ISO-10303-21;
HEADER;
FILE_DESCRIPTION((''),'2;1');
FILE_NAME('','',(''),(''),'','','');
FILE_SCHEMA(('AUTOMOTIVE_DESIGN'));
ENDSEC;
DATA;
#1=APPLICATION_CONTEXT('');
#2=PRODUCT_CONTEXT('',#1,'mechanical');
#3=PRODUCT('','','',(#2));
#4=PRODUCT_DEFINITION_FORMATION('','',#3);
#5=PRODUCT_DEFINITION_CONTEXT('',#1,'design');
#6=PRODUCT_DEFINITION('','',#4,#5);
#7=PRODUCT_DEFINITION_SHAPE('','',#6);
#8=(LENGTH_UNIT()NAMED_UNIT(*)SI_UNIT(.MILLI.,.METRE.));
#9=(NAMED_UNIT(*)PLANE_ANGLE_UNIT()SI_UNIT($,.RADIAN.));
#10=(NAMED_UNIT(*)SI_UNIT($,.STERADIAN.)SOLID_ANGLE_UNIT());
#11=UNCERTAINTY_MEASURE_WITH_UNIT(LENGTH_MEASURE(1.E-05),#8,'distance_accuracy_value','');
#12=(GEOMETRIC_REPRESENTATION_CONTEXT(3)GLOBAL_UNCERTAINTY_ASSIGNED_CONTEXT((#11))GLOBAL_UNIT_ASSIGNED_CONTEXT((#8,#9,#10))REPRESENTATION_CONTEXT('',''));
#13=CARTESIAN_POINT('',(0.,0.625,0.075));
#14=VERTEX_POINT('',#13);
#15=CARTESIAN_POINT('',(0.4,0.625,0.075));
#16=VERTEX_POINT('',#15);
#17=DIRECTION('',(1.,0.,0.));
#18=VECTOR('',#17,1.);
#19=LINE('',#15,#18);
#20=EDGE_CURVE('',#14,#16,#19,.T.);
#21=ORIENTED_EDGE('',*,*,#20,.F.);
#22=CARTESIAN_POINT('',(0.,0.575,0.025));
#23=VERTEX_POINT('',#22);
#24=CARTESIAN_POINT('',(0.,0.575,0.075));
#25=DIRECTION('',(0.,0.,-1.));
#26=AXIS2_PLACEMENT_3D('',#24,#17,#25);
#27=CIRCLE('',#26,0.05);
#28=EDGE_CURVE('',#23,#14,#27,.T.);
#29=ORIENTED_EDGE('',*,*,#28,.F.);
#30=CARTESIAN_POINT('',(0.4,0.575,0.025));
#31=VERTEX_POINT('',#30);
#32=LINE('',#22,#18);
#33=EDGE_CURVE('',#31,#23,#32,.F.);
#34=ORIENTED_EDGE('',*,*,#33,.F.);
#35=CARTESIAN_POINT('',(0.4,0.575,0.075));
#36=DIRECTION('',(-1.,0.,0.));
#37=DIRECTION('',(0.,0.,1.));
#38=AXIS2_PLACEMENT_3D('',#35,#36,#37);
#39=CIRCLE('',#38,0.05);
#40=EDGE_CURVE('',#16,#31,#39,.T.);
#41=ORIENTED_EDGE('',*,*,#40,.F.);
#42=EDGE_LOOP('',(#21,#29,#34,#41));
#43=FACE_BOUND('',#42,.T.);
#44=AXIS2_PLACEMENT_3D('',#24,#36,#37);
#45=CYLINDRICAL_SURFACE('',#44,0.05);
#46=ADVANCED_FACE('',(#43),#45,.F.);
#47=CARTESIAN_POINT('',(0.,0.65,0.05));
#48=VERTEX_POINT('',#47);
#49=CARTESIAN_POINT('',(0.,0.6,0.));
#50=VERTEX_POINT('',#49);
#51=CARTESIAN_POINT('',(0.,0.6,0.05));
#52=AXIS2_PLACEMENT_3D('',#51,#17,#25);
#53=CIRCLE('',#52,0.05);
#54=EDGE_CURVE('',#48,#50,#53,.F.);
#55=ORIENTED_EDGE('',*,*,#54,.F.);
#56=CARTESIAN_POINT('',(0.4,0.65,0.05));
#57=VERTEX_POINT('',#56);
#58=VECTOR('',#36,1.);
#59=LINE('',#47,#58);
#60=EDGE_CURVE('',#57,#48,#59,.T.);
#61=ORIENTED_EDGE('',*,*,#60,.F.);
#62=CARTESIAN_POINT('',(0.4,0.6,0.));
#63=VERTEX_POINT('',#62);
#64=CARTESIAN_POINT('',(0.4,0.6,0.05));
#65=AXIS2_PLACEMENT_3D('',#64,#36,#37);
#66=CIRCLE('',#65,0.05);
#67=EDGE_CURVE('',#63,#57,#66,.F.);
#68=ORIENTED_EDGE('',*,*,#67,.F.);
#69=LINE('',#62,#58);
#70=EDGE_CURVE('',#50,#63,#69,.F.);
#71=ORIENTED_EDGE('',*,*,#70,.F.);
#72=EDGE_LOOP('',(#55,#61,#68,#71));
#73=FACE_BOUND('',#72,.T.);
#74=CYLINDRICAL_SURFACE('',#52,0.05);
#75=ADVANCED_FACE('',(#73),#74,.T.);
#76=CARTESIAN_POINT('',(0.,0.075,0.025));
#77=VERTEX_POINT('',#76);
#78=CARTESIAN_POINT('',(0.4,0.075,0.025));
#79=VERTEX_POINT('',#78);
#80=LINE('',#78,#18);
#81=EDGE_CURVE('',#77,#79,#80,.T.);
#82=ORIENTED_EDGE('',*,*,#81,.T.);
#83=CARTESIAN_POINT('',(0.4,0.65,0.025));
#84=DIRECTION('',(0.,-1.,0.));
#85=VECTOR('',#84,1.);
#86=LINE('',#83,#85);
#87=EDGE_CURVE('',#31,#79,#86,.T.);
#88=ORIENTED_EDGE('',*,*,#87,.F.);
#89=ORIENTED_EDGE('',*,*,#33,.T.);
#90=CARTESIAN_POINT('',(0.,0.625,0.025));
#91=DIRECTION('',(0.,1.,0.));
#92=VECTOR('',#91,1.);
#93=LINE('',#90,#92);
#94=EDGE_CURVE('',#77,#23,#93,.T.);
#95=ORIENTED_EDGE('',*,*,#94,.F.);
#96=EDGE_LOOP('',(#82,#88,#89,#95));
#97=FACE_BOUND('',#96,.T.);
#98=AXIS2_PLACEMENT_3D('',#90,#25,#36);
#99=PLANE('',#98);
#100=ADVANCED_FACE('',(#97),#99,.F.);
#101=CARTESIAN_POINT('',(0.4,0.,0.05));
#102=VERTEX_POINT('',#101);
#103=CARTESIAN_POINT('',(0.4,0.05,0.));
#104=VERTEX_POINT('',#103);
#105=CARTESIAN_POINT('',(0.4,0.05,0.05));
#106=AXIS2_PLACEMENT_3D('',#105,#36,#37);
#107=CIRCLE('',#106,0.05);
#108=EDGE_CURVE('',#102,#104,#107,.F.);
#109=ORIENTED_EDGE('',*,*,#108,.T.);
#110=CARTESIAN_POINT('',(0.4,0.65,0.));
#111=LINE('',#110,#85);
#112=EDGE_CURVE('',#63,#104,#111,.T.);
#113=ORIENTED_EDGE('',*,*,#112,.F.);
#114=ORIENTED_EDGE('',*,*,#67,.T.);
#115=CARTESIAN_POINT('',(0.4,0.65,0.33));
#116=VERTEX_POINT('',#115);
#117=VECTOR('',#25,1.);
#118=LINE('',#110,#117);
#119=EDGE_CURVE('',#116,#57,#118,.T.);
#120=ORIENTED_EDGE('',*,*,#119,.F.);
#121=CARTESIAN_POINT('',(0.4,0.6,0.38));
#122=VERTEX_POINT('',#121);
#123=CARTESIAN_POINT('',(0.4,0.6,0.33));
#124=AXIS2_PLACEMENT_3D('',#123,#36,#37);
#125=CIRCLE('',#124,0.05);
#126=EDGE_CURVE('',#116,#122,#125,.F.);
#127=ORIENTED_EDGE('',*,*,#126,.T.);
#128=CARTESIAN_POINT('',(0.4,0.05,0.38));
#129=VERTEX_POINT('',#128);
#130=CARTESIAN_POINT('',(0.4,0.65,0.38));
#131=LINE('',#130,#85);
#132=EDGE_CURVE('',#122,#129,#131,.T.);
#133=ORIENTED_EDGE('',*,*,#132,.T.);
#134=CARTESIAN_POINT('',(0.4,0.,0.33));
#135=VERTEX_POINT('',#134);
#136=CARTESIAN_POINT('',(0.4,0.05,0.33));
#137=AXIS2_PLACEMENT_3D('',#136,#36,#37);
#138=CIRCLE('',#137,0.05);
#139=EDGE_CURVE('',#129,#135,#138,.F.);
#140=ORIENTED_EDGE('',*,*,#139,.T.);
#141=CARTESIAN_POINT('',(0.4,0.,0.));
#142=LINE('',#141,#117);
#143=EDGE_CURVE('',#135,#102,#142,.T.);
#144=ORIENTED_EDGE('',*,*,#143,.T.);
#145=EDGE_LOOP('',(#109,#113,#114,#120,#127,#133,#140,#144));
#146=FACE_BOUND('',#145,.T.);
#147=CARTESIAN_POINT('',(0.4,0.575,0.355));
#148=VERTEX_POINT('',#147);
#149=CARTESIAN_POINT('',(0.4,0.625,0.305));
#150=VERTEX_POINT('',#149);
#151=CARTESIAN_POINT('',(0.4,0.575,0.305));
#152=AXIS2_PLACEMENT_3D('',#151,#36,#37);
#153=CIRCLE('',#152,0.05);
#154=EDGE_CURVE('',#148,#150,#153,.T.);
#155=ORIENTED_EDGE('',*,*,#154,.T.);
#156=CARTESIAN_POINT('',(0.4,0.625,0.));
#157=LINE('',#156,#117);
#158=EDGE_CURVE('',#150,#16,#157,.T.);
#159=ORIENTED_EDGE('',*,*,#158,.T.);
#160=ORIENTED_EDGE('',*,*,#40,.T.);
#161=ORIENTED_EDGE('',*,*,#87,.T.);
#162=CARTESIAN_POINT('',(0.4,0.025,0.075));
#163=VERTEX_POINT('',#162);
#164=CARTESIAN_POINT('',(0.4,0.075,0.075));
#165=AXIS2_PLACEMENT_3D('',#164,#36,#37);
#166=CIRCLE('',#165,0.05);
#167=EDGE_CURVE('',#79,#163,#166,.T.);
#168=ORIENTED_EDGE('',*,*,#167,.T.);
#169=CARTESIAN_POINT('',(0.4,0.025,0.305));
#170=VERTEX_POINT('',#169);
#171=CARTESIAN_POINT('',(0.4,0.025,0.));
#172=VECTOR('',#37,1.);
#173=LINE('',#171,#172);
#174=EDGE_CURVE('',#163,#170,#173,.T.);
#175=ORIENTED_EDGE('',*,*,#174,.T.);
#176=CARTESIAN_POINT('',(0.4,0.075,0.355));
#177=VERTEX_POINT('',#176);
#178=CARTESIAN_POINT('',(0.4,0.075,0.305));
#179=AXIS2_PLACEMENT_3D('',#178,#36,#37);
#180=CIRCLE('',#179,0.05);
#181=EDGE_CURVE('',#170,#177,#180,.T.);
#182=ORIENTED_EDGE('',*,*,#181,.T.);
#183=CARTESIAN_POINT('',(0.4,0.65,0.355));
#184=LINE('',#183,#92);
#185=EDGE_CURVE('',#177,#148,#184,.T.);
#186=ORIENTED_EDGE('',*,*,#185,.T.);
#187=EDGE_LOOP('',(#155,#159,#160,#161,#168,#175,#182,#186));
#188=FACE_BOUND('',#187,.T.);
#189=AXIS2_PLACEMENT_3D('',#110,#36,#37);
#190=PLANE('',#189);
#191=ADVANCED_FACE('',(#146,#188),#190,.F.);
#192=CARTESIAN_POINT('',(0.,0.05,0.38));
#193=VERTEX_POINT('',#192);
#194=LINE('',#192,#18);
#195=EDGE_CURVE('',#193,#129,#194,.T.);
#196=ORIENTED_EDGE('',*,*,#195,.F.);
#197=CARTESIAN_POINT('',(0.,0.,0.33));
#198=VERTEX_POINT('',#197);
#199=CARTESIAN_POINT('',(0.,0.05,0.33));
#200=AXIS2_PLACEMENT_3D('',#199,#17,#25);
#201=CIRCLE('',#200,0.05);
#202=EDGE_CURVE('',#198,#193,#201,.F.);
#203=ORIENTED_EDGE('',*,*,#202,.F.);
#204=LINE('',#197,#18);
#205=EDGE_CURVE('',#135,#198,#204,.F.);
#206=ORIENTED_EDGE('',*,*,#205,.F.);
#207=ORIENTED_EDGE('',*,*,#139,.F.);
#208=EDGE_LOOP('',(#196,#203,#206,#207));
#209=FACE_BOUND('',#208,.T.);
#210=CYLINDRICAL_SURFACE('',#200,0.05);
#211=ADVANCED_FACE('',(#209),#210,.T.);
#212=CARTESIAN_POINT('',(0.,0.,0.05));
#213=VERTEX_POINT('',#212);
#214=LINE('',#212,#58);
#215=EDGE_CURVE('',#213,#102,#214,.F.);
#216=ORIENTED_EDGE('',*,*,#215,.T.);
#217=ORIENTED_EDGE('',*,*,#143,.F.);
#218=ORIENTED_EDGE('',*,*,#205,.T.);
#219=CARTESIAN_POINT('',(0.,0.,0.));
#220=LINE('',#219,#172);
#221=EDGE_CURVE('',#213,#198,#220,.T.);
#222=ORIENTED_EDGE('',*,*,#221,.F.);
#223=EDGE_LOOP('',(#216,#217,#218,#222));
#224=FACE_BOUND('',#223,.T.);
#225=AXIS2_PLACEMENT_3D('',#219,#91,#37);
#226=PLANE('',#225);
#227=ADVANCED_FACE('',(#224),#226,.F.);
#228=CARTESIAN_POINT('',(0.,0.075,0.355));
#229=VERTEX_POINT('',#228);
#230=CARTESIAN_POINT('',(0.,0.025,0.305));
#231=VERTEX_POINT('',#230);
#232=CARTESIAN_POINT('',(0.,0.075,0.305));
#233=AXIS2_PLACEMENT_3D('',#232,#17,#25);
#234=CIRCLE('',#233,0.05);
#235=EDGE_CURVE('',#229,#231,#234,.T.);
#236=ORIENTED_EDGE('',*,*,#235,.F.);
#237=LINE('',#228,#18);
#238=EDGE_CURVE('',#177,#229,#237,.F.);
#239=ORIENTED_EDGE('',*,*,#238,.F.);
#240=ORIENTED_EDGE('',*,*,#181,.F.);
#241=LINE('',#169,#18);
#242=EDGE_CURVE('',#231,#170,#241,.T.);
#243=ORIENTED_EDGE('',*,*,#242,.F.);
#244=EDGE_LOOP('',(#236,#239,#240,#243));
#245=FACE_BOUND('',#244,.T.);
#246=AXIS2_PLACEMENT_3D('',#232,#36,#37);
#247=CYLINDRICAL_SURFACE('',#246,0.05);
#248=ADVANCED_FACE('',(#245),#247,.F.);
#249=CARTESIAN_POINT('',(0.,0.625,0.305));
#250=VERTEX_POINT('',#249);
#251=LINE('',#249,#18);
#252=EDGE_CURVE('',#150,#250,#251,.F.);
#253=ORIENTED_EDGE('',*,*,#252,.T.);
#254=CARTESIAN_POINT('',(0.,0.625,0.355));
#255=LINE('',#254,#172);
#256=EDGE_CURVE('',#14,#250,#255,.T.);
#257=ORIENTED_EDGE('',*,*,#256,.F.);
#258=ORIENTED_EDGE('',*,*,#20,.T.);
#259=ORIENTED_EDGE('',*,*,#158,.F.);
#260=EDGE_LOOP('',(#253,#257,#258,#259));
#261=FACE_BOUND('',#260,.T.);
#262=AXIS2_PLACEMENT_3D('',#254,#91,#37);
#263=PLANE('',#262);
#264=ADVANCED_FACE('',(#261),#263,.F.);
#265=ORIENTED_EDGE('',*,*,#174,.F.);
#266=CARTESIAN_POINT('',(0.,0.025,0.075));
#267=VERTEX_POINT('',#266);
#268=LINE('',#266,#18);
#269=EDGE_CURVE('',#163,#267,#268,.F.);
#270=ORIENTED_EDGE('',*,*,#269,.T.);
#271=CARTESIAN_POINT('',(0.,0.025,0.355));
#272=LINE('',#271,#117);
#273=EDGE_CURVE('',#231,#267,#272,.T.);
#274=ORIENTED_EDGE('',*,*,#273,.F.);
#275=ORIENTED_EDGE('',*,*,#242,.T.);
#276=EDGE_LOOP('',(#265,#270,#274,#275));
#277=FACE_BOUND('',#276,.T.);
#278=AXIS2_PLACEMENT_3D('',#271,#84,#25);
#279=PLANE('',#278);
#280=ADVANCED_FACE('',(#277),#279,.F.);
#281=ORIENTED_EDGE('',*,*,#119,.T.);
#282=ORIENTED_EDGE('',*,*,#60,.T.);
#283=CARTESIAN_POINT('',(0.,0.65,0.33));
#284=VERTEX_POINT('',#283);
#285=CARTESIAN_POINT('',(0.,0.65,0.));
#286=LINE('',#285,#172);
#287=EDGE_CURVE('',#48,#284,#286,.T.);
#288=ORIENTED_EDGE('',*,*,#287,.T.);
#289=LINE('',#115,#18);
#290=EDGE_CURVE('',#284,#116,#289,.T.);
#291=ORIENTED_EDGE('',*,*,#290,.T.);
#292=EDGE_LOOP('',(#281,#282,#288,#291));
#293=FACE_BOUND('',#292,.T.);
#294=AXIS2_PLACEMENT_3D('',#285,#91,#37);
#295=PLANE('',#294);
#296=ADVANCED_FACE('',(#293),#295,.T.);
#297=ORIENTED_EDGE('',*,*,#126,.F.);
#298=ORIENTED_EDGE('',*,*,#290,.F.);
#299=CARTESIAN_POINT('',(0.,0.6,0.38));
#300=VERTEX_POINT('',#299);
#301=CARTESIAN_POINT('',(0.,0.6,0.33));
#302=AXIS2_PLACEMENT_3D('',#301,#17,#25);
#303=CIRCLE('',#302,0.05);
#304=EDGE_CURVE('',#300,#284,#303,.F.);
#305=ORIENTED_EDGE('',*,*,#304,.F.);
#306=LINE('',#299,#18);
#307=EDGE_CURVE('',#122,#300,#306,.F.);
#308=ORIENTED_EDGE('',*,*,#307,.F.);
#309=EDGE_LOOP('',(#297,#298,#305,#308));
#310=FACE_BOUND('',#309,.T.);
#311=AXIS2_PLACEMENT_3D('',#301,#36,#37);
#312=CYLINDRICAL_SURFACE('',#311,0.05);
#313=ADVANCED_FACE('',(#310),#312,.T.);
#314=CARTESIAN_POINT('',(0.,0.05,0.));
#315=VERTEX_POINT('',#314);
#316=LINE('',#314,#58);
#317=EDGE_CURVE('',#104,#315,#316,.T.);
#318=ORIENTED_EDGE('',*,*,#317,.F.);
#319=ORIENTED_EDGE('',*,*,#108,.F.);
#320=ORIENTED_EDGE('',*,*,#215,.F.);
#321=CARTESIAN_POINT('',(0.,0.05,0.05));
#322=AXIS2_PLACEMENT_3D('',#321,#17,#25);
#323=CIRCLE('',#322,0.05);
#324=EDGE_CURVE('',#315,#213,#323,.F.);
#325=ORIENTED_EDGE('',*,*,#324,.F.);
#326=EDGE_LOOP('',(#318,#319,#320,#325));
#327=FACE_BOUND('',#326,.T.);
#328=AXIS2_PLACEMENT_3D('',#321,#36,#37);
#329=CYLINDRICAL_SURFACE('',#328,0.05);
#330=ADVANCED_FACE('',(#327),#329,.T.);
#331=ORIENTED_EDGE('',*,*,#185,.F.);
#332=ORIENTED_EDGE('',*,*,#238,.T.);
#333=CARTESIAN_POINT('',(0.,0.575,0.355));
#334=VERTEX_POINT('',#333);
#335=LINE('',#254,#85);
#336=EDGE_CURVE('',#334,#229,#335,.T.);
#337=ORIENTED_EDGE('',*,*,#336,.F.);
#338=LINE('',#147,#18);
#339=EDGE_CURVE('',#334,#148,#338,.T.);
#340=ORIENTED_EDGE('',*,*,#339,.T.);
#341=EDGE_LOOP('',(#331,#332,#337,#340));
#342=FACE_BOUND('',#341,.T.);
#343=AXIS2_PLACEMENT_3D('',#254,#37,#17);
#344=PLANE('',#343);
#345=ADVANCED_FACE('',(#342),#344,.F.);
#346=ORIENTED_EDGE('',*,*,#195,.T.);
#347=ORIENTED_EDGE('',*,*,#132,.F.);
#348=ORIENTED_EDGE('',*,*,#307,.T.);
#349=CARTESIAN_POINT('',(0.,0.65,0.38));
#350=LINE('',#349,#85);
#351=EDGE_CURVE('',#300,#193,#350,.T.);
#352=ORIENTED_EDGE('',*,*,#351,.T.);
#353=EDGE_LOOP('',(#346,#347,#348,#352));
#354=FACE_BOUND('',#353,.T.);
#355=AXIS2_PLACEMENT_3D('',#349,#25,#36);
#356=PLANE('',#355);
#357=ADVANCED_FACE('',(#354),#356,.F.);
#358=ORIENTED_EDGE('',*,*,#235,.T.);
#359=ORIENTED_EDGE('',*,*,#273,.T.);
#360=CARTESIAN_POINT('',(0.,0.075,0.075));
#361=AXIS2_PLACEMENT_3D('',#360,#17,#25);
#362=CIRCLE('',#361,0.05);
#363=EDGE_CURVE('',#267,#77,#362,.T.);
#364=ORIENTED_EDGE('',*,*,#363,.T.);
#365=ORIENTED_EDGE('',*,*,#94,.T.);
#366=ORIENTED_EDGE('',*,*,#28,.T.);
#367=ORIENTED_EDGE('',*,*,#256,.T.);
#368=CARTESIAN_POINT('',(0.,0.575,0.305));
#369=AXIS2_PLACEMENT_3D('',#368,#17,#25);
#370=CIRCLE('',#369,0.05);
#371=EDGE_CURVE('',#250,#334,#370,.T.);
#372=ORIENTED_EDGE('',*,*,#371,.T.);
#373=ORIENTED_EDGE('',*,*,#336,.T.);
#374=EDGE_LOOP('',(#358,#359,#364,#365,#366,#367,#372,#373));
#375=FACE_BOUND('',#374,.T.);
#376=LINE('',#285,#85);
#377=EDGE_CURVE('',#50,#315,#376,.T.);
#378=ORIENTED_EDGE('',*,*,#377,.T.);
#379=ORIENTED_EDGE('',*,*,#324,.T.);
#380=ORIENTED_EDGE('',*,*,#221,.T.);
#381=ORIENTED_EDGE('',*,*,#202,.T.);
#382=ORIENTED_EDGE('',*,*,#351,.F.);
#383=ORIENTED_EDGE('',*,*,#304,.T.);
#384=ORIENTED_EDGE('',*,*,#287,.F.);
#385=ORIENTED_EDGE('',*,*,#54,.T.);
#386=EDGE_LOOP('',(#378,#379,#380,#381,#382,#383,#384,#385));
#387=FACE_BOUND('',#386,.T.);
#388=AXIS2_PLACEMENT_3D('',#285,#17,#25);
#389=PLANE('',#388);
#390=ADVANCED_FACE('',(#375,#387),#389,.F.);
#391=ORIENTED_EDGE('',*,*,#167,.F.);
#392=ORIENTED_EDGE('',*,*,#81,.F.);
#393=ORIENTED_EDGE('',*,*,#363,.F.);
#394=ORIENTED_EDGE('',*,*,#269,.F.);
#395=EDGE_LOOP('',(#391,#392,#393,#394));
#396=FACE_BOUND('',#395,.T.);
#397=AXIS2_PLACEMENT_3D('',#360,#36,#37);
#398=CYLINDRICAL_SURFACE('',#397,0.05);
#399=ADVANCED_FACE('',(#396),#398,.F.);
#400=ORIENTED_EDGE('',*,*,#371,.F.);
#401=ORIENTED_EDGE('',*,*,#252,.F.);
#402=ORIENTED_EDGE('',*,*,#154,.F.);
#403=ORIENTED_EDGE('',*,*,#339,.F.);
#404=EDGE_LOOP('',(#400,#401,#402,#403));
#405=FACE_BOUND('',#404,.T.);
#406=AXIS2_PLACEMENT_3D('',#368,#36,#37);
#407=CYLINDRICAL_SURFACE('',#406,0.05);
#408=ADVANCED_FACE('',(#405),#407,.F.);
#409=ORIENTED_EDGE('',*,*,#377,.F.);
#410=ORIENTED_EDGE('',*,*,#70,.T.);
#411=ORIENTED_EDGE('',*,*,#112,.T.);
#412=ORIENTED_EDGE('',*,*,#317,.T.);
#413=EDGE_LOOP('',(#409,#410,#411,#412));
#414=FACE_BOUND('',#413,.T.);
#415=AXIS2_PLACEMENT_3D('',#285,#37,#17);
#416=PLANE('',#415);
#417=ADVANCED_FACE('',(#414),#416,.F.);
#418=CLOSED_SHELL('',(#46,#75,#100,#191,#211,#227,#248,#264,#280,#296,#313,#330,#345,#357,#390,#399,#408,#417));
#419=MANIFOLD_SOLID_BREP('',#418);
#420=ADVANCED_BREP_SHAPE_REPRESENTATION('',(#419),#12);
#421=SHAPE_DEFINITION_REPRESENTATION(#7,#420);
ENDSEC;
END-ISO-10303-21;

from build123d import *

# Parameters (mm, degrees)
SKETCH1_W               = 0.4
SKETCH1_H               = 0.38
BOSS_EXTRUDE1_DEPTH     = 0.65
SKETCH2_W               = 0.33
SKETCH2_H               = 0.6
CUT_EXTRUDE1_DEPTH      = 1
CUT_EXTRUDE1_DEPTH_BACK = 1.4
FILLET1_R               = 0.05


with BuildPart() as part:
    # Sketch1 → Boss-Extrude1 (new body)
    with BuildSketch(Plane(origin=(0, 0, 0), x_dir=(1, 0, 0), z_dir=(0, 1, 0))):
        with Locations((0.2, -0.19)):
            Rectangle(SKETCH1_W, SKETCH1_H)
    extrude(amount=BOSS_EXTRUDE1_DEPTH)

    # Sketch2 → Cut-Extrude1 (cut, two sides)
    with BuildSketch(Plane(origin=(0.4, 0, 0), x_dir=(0, 0, -1), z_dir=(1, 0, 0))) as cut_extrude1_sk:
        with Locations((-0.19, 0.325)):
            Rectangle(SKETCH2_W, SKETCH2_H)
    extrude(amount=CUT_EXTRUDE1_DEPTH, mode=Mode.SUBTRACT)
    extrude(cut_extrude1_sk.sketch, amount=-CUT_EXTRUDE1_DEPTH_BACK, mode=Mode.SUBTRACT)

    # Fillet1
    fillet1_edges = [part.edges().sort_by_distance(p)[0] for p in [
        (0.2, 0.65, 0),
        (0.2, 0.025, 0.355),
        (0.2, 0.625, 0.355),
        (0.2, 0.625, 0.025),
        (0.2, 0.025, 0.025),
        (0.2, 0, 0),
        (0.2, 0, 0.38),
        (0.2, 0.65, 0.38),
    ]]
    fillet(fillet1_edges, radius=FILLET1_R)


solid = part.part
